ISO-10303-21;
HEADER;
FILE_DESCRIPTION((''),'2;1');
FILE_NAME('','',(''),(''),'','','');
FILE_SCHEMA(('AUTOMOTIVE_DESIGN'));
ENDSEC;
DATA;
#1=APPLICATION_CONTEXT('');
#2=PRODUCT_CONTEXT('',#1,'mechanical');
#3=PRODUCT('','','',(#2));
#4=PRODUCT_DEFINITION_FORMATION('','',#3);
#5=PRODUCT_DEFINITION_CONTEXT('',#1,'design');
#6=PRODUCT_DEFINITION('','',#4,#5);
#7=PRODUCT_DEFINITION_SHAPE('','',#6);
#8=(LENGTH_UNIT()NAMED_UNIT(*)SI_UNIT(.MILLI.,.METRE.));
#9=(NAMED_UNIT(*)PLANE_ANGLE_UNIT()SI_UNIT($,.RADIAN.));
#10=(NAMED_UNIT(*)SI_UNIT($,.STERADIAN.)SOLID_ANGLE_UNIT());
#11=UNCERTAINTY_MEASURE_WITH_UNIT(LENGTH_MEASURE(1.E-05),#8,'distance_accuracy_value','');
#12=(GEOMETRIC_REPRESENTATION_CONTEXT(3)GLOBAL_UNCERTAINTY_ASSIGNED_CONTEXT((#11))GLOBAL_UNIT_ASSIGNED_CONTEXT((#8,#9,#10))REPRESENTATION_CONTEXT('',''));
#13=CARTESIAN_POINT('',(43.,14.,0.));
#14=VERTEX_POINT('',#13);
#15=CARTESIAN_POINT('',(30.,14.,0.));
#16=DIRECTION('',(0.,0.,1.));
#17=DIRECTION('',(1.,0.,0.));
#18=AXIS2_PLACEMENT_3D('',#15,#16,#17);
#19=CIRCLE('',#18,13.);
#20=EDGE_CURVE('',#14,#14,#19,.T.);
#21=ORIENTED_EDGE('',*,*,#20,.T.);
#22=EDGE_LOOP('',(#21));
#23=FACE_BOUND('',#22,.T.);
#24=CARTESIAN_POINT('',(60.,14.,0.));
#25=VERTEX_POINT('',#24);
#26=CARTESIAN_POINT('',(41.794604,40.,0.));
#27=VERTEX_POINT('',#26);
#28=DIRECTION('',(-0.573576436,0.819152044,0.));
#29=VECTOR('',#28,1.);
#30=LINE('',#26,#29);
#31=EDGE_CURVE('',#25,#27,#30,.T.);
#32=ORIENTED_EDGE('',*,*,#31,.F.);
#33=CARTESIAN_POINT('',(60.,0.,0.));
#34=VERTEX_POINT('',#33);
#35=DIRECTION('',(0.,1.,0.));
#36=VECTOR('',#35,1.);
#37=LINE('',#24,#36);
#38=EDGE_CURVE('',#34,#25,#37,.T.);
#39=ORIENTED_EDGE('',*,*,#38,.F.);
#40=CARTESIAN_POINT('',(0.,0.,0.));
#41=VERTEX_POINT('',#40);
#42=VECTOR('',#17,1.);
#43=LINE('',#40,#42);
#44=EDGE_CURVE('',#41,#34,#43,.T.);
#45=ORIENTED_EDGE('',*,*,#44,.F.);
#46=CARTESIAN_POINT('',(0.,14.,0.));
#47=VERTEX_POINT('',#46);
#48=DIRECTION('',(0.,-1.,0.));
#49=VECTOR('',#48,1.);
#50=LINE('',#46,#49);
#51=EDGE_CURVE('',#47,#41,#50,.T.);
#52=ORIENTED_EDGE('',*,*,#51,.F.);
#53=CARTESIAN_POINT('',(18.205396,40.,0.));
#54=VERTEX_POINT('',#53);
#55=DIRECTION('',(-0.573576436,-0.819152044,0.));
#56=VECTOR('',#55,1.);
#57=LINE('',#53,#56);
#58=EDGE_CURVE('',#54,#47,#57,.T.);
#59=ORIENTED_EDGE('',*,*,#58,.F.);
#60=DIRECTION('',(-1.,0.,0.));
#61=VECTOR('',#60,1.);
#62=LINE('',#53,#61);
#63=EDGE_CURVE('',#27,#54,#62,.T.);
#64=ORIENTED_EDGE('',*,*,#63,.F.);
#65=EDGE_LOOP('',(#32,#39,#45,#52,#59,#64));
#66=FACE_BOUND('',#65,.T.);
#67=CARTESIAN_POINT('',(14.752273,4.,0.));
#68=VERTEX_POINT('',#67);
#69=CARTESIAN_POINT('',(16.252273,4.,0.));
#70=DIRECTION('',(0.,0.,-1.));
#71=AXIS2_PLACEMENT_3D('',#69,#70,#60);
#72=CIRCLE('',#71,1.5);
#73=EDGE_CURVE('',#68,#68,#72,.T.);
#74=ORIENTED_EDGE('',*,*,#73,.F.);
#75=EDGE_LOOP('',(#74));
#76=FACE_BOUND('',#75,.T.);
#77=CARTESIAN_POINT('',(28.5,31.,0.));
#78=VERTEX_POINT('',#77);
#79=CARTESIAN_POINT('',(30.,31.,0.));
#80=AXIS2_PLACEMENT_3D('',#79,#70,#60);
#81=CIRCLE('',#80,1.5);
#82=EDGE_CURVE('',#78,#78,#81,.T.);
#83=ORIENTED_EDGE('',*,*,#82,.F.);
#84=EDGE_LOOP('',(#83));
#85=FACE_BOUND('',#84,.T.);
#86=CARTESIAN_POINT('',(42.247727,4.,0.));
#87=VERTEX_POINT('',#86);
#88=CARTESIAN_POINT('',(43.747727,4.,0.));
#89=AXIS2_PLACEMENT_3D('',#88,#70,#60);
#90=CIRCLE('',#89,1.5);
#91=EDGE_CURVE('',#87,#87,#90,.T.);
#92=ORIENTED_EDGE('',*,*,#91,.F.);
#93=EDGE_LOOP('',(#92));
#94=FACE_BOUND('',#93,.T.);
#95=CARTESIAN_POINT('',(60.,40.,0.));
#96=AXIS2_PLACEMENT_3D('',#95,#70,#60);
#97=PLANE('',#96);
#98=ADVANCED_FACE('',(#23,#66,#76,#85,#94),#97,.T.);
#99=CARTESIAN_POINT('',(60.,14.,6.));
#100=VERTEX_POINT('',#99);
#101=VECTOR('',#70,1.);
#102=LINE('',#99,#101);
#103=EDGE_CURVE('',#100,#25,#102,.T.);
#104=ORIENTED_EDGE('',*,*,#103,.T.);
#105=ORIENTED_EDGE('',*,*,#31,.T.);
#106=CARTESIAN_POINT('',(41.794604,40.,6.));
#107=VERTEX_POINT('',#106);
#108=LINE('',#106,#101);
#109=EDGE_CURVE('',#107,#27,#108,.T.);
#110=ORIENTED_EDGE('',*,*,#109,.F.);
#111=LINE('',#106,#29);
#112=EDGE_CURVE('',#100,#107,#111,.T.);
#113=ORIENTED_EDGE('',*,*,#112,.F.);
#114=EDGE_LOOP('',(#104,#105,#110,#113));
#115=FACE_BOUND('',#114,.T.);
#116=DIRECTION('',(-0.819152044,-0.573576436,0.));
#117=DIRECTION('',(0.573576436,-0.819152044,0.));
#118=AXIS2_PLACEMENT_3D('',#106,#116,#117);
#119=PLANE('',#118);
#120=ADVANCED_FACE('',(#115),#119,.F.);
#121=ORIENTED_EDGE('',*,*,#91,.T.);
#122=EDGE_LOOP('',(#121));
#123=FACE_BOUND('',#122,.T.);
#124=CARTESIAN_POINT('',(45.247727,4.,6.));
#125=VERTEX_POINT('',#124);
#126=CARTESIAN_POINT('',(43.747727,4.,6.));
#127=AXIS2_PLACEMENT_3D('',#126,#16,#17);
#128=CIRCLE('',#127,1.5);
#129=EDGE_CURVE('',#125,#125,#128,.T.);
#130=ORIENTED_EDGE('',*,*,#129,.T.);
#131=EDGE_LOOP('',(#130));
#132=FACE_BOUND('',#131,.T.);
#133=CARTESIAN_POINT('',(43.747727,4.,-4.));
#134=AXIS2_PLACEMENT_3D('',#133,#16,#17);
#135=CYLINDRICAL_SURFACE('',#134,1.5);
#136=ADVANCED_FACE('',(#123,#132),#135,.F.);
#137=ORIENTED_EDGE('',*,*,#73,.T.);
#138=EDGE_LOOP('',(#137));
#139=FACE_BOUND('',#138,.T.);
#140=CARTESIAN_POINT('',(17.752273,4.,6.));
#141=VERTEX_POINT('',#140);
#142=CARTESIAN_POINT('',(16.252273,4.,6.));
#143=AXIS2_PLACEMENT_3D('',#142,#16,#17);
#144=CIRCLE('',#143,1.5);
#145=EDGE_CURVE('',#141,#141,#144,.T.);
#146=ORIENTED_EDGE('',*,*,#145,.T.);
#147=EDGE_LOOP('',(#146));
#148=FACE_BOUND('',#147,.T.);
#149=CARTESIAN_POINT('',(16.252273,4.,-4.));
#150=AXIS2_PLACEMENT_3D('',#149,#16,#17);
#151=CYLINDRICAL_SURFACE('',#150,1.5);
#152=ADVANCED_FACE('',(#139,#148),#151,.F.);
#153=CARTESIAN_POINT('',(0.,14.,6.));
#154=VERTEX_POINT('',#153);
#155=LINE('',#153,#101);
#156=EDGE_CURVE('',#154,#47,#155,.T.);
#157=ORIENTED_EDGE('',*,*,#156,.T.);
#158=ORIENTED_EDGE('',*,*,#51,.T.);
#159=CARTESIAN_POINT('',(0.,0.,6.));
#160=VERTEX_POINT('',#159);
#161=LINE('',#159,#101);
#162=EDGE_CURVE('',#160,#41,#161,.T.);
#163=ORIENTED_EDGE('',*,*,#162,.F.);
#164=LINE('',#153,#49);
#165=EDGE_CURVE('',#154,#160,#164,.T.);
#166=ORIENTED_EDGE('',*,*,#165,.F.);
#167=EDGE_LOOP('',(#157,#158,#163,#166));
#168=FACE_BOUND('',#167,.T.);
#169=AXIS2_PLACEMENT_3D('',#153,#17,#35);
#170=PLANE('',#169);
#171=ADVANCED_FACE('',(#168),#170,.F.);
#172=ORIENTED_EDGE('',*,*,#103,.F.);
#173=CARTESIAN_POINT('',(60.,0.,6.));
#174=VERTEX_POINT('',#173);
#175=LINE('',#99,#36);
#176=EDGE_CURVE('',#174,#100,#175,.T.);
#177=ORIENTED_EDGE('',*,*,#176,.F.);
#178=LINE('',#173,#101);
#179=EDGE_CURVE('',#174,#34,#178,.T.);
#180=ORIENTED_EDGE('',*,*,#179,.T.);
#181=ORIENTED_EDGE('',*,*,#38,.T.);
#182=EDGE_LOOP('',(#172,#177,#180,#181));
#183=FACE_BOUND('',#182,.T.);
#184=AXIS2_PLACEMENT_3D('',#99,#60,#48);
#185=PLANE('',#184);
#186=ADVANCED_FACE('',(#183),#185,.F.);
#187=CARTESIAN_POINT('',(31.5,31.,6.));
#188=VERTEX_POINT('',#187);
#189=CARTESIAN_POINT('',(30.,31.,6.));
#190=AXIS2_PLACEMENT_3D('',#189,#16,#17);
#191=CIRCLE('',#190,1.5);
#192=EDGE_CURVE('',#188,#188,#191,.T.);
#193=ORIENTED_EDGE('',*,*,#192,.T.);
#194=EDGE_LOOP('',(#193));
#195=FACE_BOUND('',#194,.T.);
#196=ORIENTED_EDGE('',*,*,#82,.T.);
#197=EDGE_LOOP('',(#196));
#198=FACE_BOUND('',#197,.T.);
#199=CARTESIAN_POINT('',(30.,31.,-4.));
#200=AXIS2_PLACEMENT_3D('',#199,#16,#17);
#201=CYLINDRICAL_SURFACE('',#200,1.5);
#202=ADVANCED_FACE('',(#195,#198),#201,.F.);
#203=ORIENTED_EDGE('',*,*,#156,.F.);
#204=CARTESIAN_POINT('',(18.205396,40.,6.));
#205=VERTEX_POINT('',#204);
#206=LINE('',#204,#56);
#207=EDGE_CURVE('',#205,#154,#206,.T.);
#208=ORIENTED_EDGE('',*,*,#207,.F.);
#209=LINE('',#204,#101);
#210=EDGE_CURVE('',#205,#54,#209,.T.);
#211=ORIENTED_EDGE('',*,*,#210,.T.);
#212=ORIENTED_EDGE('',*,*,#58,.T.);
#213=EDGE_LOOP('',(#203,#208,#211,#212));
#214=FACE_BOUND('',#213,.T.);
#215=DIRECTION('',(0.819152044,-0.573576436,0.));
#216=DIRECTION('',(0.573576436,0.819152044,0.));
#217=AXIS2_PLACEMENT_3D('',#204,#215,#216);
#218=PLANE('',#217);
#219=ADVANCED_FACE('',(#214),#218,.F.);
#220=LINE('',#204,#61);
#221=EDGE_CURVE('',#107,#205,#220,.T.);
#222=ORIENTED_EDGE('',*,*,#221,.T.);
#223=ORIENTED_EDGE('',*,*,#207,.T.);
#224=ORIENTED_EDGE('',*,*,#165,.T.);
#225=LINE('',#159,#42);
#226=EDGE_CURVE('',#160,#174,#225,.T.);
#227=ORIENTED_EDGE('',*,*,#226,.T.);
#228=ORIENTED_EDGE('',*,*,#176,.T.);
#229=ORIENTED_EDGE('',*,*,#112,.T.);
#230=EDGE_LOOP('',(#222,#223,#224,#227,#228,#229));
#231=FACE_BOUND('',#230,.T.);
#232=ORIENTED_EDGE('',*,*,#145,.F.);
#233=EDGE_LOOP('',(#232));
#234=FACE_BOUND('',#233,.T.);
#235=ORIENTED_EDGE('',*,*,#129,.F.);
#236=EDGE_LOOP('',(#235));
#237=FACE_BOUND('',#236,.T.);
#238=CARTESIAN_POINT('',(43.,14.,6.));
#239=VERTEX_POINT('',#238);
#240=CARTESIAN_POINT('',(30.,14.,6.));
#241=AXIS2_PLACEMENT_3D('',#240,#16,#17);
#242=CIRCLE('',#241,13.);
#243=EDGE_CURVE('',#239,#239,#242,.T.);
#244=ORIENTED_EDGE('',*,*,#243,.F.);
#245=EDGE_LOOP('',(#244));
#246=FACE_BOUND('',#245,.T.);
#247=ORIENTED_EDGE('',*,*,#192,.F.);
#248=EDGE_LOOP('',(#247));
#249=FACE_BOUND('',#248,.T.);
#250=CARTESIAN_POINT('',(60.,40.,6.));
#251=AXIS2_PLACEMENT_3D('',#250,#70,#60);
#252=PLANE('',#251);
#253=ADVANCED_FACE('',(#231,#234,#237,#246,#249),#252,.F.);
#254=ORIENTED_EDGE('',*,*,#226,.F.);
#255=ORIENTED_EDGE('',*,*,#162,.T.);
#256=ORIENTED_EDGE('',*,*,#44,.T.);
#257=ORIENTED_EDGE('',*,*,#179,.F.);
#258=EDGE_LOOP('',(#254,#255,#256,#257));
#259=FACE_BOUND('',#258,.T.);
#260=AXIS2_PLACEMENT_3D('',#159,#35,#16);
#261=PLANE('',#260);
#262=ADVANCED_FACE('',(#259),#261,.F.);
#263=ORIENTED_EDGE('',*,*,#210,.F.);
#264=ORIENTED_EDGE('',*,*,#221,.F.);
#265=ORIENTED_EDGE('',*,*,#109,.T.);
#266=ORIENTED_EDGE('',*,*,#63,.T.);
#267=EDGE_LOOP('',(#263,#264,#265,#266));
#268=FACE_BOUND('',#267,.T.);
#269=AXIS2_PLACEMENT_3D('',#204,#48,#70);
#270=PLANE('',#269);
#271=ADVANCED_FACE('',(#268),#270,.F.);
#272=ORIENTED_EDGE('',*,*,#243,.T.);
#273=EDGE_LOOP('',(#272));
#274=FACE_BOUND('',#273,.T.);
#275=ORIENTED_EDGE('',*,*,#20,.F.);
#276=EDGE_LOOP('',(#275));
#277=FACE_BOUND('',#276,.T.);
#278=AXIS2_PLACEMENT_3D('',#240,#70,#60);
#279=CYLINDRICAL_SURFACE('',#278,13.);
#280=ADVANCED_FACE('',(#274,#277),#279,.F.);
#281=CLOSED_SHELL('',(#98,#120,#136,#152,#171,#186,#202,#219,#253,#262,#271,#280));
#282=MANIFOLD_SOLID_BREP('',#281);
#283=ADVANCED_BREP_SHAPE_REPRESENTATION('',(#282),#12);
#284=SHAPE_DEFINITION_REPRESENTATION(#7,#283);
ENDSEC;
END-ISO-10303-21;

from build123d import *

# Parameters (mm, degrees)
ESQUISSE1_R             = 13
BOSS_EXTRU_1_DEPTH      = 6
ESQUISSE2_R             = 1.5
ENL_V_MAT_EXTRU_1_DEPTH = 10


with BuildPart() as part:
    # Esquisse1 → Boss.-Extru.1 (new body)
    with BuildSketch(Plane.XY):
        Polygon((41.794604007, 40), (60, 14), (60, 0), (0, 0), (0, 14), (18.205395993, 40), align=None)
        with Locations((30, 14)):
            Circle(ESQUISSE1_R, mode=Mode.SUBTRACT)
    extrude(amount=BOSS_EXTRU_1_DEPTH)

    # Esquisse2 → Enlèv. mat.-Extru.1 (cut)
    with BuildSketch(Plane.XY.offset(6)):
        with Locations((16.252272915, 4)):
            Circle(ESQUISSE2_R)
        with Locations((43.747727085, 4)):
            Circle(ESQUISSE2_R)
        with Locations((30, 31)):
            Circle(ESQUISSE2_R)
    extrude(amount=-ENL_V_MAT_EXTRU_1_DEPTH, mode=Mode.SUBTRACT)


solid = part.part
